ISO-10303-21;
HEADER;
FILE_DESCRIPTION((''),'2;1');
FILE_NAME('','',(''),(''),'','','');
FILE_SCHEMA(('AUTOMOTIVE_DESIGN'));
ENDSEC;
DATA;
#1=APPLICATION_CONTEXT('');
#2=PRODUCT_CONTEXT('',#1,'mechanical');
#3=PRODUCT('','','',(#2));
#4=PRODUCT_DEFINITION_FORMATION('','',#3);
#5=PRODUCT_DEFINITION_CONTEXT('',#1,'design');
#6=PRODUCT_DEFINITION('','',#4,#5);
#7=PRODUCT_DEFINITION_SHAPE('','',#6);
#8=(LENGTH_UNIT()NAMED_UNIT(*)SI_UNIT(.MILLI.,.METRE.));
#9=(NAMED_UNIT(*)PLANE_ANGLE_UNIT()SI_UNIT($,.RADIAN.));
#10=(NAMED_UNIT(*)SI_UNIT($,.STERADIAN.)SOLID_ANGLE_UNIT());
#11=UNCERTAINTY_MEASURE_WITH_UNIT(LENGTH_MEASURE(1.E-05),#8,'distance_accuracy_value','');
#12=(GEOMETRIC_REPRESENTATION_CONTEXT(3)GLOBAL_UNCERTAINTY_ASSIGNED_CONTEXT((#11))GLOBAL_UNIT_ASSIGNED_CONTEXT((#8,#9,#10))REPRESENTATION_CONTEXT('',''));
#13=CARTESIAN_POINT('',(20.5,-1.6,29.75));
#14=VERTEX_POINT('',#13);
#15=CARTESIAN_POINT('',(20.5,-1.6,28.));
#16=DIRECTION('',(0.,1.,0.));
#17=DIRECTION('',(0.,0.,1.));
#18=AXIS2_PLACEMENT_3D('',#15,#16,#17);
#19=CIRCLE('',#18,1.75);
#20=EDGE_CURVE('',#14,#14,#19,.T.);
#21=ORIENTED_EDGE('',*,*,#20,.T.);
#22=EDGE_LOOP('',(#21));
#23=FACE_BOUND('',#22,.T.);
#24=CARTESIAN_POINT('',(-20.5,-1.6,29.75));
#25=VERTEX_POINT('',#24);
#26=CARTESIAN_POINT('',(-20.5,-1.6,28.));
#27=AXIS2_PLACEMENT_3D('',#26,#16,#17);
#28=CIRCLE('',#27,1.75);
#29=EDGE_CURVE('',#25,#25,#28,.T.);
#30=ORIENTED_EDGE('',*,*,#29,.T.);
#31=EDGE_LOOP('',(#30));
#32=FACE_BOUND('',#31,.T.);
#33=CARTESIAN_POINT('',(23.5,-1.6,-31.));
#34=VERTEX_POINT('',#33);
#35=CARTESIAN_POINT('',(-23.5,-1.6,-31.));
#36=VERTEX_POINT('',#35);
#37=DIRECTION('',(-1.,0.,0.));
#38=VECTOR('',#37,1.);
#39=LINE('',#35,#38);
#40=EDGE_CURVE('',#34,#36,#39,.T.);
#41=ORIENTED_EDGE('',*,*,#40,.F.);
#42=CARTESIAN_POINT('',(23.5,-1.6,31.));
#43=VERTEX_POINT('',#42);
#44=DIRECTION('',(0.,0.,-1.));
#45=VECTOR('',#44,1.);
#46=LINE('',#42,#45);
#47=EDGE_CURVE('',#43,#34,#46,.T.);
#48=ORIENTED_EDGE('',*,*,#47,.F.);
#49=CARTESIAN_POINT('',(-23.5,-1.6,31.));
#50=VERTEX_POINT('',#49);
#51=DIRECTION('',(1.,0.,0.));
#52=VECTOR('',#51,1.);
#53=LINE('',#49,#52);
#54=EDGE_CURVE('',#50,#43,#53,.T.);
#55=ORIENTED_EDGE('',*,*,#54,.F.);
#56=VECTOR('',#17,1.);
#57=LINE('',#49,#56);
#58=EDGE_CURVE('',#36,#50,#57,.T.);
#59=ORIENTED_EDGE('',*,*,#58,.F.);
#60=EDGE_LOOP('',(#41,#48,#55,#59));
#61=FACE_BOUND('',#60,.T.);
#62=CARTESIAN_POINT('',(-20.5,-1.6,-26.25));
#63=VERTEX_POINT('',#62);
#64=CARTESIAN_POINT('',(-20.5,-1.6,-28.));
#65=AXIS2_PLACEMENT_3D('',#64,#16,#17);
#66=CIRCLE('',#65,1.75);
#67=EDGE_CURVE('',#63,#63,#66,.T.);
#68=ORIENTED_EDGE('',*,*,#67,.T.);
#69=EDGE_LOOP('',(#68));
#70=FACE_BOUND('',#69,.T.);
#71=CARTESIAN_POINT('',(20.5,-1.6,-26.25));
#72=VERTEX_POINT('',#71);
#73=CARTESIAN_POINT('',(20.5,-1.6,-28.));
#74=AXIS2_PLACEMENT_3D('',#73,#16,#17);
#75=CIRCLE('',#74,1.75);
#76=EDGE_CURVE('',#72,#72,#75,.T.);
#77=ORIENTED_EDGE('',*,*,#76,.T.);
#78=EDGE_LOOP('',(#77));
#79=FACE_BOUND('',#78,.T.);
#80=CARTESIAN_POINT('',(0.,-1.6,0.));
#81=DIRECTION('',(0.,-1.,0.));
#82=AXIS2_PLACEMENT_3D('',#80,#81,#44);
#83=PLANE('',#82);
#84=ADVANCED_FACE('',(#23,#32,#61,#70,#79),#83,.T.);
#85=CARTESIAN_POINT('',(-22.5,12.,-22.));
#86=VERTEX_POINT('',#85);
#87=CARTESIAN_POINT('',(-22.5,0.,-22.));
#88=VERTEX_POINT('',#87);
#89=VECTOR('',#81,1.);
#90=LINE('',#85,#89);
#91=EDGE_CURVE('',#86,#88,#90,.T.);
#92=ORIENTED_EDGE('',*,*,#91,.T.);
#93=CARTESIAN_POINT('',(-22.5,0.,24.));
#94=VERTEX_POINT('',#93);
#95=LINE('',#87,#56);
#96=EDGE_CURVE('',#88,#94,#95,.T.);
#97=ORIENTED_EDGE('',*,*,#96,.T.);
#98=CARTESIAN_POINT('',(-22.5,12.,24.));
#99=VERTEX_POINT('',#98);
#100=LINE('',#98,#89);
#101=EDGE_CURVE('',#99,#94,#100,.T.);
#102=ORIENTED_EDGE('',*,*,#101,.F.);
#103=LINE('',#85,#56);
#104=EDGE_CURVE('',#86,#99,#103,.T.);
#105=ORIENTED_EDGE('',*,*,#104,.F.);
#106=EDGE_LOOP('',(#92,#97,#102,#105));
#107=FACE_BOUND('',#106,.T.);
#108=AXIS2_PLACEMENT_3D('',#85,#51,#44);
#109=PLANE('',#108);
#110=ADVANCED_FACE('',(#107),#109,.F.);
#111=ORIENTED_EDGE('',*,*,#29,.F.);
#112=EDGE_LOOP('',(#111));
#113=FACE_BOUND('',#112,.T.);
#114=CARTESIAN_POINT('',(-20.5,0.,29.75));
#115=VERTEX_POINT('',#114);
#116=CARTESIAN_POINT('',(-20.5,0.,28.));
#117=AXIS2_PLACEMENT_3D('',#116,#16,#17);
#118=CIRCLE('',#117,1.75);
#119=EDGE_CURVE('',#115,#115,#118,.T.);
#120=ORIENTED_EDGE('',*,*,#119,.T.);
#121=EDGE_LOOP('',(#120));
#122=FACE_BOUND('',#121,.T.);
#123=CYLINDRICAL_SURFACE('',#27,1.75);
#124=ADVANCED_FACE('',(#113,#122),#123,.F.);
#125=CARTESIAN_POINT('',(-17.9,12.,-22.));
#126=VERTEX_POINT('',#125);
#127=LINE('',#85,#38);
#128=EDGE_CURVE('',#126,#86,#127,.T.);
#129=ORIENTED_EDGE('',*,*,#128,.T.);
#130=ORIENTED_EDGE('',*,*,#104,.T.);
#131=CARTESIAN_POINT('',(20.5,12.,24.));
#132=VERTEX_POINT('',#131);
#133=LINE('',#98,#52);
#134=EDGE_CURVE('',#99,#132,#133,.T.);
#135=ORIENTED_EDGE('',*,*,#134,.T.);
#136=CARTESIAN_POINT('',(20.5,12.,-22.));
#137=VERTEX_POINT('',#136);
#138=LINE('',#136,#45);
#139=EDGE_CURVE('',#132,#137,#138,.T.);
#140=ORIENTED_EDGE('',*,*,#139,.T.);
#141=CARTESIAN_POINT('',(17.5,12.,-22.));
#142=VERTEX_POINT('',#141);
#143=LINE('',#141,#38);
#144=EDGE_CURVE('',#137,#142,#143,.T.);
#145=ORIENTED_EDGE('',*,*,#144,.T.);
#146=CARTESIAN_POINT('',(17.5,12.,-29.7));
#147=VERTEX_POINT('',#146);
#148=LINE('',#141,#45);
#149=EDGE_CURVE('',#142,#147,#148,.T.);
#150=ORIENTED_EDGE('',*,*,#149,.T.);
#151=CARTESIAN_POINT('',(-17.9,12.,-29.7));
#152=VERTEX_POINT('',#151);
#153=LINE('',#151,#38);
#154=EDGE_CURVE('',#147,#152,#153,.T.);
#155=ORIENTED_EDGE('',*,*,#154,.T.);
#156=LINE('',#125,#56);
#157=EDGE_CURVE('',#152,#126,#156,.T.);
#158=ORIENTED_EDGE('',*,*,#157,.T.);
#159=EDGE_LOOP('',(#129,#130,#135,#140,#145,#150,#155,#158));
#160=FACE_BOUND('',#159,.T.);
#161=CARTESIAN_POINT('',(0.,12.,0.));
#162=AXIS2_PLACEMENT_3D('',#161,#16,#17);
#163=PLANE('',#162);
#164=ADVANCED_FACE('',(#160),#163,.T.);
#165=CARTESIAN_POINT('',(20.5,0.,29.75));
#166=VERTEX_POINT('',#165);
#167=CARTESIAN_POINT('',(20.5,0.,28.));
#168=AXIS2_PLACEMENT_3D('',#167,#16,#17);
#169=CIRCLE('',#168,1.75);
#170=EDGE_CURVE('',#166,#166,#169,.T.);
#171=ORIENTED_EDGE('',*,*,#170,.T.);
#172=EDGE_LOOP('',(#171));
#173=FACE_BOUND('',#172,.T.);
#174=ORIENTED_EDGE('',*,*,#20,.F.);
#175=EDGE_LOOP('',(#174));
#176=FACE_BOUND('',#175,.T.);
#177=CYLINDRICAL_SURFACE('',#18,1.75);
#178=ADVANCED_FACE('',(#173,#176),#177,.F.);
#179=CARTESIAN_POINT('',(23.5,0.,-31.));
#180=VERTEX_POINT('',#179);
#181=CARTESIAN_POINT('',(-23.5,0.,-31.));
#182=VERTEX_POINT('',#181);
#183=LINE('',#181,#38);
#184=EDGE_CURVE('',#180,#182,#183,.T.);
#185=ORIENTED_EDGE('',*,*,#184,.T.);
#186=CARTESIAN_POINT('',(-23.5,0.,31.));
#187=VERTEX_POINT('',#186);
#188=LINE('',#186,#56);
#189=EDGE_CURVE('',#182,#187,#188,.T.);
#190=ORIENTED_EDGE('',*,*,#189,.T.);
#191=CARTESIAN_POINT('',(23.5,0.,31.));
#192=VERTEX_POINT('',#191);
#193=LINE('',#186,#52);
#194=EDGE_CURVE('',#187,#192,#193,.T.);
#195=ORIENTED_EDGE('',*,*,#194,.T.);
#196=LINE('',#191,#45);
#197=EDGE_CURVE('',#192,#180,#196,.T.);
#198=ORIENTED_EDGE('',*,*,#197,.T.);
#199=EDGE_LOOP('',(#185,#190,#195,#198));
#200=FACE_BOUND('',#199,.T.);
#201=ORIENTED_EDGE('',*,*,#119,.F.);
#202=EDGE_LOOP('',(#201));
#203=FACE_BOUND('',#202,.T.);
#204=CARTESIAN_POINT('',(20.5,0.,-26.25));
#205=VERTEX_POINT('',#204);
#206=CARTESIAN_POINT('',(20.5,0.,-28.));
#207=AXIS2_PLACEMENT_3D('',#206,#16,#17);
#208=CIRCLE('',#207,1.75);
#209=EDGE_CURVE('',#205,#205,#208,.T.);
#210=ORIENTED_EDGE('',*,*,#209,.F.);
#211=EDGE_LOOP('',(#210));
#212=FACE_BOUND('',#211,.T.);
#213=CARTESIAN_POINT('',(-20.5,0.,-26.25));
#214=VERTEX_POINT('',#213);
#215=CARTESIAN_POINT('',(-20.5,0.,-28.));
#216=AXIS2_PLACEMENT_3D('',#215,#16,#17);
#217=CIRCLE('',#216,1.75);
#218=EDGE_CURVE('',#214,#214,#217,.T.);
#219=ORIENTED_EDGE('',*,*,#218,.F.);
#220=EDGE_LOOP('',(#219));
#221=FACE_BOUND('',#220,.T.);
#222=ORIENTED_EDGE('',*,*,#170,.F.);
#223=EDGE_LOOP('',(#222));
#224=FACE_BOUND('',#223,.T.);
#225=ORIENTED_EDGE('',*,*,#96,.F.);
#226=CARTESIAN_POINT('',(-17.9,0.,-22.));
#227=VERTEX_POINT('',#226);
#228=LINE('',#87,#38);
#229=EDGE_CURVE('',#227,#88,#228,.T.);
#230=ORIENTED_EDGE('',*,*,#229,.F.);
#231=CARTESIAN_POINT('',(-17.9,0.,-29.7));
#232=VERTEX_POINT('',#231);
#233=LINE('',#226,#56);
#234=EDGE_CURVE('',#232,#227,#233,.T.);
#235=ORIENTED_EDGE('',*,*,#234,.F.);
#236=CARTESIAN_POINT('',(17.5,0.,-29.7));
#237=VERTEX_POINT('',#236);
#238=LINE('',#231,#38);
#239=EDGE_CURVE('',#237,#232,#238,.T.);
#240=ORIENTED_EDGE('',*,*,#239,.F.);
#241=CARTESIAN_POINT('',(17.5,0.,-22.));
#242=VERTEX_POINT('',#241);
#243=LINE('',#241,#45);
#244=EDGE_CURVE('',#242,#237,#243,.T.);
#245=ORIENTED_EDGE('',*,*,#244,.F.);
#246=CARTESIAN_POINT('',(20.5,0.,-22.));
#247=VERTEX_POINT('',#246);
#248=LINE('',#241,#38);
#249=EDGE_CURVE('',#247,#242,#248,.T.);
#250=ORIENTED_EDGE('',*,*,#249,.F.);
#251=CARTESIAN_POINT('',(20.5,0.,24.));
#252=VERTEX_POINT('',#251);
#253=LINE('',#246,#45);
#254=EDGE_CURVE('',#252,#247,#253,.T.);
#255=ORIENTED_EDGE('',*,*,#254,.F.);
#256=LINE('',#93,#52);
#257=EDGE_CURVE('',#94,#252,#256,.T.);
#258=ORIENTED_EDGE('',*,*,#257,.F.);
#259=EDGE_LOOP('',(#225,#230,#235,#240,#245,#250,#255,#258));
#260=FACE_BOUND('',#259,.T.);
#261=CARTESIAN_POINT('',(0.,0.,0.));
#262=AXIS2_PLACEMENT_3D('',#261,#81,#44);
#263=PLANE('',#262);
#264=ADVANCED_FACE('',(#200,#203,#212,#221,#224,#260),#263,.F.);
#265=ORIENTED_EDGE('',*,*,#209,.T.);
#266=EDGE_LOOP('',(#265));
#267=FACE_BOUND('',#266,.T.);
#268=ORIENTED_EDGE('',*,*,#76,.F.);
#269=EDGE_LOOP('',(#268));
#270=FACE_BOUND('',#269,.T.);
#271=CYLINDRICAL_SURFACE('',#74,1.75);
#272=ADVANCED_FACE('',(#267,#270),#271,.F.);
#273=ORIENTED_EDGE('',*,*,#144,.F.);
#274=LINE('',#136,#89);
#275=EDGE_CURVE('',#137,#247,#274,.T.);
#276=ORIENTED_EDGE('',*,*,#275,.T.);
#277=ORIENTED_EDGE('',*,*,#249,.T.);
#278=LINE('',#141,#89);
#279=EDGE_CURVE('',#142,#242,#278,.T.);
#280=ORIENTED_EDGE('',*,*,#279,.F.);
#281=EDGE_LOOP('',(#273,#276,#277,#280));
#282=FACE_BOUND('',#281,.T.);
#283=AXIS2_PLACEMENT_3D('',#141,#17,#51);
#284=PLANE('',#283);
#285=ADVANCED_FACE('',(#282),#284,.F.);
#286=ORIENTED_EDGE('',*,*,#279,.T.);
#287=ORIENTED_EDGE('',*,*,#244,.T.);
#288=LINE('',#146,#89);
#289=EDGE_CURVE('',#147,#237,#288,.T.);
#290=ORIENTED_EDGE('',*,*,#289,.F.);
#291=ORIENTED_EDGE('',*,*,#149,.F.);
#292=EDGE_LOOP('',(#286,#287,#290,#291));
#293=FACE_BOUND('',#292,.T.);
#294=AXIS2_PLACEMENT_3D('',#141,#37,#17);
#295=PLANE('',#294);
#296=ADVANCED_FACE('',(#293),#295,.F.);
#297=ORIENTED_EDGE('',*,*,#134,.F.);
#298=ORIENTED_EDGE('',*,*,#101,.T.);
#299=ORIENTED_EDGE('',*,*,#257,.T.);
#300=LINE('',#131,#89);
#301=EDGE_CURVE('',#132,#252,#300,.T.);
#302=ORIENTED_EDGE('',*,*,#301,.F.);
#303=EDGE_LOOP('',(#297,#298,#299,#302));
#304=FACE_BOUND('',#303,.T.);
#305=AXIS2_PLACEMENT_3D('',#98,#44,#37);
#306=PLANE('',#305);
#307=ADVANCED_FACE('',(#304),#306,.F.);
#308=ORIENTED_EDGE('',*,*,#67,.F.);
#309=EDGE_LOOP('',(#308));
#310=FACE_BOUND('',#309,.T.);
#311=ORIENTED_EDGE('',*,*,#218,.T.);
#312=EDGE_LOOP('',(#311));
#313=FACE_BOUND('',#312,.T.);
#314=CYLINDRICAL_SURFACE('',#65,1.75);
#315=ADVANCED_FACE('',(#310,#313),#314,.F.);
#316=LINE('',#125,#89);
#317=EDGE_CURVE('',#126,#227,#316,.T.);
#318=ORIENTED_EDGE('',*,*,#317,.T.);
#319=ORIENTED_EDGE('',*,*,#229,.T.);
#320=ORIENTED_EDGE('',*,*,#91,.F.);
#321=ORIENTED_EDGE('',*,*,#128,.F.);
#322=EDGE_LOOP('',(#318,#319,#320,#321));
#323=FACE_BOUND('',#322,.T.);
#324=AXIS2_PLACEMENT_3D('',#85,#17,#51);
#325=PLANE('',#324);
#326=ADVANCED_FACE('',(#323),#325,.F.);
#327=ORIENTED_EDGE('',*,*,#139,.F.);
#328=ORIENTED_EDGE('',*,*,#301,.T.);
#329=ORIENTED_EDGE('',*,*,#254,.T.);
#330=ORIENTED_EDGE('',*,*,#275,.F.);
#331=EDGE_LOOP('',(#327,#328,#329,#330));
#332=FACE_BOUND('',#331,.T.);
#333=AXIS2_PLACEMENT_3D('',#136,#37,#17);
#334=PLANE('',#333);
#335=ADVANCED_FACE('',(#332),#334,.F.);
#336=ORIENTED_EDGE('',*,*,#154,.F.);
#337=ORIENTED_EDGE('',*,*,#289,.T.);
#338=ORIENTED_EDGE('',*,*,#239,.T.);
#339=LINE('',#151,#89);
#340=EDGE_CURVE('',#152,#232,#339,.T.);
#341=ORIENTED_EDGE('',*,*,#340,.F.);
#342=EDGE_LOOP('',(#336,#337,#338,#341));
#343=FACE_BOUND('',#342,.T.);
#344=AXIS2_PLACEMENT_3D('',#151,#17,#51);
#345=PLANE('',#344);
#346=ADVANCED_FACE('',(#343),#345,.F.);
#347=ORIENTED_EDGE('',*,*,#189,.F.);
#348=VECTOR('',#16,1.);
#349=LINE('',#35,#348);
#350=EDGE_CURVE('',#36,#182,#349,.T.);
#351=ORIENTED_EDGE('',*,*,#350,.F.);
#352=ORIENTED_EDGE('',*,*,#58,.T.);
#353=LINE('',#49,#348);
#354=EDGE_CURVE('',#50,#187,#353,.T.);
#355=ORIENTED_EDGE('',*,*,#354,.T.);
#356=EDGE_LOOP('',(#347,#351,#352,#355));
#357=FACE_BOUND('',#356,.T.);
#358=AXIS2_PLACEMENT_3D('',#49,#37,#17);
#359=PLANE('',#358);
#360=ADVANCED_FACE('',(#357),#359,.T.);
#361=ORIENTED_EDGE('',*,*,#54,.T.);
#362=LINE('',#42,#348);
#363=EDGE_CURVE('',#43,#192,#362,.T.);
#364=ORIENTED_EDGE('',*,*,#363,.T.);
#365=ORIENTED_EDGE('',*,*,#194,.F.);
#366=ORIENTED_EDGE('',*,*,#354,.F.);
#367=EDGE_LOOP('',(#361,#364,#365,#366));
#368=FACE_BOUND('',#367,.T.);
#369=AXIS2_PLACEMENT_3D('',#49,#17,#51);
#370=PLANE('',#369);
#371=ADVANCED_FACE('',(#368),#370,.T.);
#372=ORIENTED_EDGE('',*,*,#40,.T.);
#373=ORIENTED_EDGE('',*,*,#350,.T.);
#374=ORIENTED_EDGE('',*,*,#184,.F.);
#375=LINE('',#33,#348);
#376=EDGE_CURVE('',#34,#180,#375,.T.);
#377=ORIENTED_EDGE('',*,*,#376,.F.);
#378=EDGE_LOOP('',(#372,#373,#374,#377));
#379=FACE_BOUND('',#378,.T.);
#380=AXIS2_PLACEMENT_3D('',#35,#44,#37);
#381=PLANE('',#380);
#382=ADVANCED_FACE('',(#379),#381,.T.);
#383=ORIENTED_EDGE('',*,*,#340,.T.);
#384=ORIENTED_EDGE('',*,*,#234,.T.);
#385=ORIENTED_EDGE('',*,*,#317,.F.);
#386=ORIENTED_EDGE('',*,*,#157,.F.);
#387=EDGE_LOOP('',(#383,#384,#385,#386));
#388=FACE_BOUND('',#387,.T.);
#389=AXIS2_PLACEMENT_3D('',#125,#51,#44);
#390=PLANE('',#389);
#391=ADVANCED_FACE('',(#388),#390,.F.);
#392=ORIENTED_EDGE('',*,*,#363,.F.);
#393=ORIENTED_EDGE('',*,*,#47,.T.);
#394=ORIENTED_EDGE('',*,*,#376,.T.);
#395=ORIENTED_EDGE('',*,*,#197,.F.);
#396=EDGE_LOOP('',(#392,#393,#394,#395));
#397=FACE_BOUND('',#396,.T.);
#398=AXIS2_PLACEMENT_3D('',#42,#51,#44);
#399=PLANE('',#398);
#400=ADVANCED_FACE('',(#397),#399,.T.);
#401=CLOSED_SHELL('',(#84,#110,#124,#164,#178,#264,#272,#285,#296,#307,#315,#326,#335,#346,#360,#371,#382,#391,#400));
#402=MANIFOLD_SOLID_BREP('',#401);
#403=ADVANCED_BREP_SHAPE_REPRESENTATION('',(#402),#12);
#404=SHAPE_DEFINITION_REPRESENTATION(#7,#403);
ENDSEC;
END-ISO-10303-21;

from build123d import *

# Parameters (mm, degrees)
SKETCH1_W           = 47
SKETCH1_H           = 62
SKETCH1_R           = 1.75
BOSS_EXTRUDE1_DEPTH = 1.6
BOSS_EXTRUDE2_DEPTH = 12


with BuildPart() as part:
    # Sketch1 → Boss-Extrude1 (new body)
    with BuildSketch(Plane(origin=(0, 0, 0), x_dir=(1, 0, 0), z_dir=(0, 1, 0))):
        Rectangle(SKETCH1_W, SKETCH1_H)
        with Locations(Location((-20.5, -28, 0), (0, 0, 270))):
            Circle(SKETCH1_R, mode=Mode.SUBTRACT)
        with Locations(Location((20.5, -28, 0), (0, 0, 270))):
            Circle(SKETCH1_R, mode=Mode.SUBTRACT)
        with Locations(Location((20.5, 28, 0), (0, 0, 270))):
            Circle(SKETCH1_R, mode=Mode.SUBTRACT)
        with Locations(Location((-20.5, 28, 0), (0, 0, 270))):
            Circle(SKETCH1_R, mode=Mode.SUBTRACT)
    extrude(amount=-BOSS_EXTRUDE1_DEPTH)

    # Sketch3 → Boss-Extrude2 (add)
    with BuildSketch(Plane(origin=(0, 0, 0), x_dir=(1, 0, 0), z_dir=(0, 1, 0))):
        Polygon((-22.5, 22), (-17.9, 22), (-17.9, 29.7), (17.5, 29.7), (17.5, 22), (20.5, 22), (20.5, -24), (-22.5, -24), align=None)
    extrude(amount=BOSS_EXTRUDE2_DEPTH)


solid = part.part
